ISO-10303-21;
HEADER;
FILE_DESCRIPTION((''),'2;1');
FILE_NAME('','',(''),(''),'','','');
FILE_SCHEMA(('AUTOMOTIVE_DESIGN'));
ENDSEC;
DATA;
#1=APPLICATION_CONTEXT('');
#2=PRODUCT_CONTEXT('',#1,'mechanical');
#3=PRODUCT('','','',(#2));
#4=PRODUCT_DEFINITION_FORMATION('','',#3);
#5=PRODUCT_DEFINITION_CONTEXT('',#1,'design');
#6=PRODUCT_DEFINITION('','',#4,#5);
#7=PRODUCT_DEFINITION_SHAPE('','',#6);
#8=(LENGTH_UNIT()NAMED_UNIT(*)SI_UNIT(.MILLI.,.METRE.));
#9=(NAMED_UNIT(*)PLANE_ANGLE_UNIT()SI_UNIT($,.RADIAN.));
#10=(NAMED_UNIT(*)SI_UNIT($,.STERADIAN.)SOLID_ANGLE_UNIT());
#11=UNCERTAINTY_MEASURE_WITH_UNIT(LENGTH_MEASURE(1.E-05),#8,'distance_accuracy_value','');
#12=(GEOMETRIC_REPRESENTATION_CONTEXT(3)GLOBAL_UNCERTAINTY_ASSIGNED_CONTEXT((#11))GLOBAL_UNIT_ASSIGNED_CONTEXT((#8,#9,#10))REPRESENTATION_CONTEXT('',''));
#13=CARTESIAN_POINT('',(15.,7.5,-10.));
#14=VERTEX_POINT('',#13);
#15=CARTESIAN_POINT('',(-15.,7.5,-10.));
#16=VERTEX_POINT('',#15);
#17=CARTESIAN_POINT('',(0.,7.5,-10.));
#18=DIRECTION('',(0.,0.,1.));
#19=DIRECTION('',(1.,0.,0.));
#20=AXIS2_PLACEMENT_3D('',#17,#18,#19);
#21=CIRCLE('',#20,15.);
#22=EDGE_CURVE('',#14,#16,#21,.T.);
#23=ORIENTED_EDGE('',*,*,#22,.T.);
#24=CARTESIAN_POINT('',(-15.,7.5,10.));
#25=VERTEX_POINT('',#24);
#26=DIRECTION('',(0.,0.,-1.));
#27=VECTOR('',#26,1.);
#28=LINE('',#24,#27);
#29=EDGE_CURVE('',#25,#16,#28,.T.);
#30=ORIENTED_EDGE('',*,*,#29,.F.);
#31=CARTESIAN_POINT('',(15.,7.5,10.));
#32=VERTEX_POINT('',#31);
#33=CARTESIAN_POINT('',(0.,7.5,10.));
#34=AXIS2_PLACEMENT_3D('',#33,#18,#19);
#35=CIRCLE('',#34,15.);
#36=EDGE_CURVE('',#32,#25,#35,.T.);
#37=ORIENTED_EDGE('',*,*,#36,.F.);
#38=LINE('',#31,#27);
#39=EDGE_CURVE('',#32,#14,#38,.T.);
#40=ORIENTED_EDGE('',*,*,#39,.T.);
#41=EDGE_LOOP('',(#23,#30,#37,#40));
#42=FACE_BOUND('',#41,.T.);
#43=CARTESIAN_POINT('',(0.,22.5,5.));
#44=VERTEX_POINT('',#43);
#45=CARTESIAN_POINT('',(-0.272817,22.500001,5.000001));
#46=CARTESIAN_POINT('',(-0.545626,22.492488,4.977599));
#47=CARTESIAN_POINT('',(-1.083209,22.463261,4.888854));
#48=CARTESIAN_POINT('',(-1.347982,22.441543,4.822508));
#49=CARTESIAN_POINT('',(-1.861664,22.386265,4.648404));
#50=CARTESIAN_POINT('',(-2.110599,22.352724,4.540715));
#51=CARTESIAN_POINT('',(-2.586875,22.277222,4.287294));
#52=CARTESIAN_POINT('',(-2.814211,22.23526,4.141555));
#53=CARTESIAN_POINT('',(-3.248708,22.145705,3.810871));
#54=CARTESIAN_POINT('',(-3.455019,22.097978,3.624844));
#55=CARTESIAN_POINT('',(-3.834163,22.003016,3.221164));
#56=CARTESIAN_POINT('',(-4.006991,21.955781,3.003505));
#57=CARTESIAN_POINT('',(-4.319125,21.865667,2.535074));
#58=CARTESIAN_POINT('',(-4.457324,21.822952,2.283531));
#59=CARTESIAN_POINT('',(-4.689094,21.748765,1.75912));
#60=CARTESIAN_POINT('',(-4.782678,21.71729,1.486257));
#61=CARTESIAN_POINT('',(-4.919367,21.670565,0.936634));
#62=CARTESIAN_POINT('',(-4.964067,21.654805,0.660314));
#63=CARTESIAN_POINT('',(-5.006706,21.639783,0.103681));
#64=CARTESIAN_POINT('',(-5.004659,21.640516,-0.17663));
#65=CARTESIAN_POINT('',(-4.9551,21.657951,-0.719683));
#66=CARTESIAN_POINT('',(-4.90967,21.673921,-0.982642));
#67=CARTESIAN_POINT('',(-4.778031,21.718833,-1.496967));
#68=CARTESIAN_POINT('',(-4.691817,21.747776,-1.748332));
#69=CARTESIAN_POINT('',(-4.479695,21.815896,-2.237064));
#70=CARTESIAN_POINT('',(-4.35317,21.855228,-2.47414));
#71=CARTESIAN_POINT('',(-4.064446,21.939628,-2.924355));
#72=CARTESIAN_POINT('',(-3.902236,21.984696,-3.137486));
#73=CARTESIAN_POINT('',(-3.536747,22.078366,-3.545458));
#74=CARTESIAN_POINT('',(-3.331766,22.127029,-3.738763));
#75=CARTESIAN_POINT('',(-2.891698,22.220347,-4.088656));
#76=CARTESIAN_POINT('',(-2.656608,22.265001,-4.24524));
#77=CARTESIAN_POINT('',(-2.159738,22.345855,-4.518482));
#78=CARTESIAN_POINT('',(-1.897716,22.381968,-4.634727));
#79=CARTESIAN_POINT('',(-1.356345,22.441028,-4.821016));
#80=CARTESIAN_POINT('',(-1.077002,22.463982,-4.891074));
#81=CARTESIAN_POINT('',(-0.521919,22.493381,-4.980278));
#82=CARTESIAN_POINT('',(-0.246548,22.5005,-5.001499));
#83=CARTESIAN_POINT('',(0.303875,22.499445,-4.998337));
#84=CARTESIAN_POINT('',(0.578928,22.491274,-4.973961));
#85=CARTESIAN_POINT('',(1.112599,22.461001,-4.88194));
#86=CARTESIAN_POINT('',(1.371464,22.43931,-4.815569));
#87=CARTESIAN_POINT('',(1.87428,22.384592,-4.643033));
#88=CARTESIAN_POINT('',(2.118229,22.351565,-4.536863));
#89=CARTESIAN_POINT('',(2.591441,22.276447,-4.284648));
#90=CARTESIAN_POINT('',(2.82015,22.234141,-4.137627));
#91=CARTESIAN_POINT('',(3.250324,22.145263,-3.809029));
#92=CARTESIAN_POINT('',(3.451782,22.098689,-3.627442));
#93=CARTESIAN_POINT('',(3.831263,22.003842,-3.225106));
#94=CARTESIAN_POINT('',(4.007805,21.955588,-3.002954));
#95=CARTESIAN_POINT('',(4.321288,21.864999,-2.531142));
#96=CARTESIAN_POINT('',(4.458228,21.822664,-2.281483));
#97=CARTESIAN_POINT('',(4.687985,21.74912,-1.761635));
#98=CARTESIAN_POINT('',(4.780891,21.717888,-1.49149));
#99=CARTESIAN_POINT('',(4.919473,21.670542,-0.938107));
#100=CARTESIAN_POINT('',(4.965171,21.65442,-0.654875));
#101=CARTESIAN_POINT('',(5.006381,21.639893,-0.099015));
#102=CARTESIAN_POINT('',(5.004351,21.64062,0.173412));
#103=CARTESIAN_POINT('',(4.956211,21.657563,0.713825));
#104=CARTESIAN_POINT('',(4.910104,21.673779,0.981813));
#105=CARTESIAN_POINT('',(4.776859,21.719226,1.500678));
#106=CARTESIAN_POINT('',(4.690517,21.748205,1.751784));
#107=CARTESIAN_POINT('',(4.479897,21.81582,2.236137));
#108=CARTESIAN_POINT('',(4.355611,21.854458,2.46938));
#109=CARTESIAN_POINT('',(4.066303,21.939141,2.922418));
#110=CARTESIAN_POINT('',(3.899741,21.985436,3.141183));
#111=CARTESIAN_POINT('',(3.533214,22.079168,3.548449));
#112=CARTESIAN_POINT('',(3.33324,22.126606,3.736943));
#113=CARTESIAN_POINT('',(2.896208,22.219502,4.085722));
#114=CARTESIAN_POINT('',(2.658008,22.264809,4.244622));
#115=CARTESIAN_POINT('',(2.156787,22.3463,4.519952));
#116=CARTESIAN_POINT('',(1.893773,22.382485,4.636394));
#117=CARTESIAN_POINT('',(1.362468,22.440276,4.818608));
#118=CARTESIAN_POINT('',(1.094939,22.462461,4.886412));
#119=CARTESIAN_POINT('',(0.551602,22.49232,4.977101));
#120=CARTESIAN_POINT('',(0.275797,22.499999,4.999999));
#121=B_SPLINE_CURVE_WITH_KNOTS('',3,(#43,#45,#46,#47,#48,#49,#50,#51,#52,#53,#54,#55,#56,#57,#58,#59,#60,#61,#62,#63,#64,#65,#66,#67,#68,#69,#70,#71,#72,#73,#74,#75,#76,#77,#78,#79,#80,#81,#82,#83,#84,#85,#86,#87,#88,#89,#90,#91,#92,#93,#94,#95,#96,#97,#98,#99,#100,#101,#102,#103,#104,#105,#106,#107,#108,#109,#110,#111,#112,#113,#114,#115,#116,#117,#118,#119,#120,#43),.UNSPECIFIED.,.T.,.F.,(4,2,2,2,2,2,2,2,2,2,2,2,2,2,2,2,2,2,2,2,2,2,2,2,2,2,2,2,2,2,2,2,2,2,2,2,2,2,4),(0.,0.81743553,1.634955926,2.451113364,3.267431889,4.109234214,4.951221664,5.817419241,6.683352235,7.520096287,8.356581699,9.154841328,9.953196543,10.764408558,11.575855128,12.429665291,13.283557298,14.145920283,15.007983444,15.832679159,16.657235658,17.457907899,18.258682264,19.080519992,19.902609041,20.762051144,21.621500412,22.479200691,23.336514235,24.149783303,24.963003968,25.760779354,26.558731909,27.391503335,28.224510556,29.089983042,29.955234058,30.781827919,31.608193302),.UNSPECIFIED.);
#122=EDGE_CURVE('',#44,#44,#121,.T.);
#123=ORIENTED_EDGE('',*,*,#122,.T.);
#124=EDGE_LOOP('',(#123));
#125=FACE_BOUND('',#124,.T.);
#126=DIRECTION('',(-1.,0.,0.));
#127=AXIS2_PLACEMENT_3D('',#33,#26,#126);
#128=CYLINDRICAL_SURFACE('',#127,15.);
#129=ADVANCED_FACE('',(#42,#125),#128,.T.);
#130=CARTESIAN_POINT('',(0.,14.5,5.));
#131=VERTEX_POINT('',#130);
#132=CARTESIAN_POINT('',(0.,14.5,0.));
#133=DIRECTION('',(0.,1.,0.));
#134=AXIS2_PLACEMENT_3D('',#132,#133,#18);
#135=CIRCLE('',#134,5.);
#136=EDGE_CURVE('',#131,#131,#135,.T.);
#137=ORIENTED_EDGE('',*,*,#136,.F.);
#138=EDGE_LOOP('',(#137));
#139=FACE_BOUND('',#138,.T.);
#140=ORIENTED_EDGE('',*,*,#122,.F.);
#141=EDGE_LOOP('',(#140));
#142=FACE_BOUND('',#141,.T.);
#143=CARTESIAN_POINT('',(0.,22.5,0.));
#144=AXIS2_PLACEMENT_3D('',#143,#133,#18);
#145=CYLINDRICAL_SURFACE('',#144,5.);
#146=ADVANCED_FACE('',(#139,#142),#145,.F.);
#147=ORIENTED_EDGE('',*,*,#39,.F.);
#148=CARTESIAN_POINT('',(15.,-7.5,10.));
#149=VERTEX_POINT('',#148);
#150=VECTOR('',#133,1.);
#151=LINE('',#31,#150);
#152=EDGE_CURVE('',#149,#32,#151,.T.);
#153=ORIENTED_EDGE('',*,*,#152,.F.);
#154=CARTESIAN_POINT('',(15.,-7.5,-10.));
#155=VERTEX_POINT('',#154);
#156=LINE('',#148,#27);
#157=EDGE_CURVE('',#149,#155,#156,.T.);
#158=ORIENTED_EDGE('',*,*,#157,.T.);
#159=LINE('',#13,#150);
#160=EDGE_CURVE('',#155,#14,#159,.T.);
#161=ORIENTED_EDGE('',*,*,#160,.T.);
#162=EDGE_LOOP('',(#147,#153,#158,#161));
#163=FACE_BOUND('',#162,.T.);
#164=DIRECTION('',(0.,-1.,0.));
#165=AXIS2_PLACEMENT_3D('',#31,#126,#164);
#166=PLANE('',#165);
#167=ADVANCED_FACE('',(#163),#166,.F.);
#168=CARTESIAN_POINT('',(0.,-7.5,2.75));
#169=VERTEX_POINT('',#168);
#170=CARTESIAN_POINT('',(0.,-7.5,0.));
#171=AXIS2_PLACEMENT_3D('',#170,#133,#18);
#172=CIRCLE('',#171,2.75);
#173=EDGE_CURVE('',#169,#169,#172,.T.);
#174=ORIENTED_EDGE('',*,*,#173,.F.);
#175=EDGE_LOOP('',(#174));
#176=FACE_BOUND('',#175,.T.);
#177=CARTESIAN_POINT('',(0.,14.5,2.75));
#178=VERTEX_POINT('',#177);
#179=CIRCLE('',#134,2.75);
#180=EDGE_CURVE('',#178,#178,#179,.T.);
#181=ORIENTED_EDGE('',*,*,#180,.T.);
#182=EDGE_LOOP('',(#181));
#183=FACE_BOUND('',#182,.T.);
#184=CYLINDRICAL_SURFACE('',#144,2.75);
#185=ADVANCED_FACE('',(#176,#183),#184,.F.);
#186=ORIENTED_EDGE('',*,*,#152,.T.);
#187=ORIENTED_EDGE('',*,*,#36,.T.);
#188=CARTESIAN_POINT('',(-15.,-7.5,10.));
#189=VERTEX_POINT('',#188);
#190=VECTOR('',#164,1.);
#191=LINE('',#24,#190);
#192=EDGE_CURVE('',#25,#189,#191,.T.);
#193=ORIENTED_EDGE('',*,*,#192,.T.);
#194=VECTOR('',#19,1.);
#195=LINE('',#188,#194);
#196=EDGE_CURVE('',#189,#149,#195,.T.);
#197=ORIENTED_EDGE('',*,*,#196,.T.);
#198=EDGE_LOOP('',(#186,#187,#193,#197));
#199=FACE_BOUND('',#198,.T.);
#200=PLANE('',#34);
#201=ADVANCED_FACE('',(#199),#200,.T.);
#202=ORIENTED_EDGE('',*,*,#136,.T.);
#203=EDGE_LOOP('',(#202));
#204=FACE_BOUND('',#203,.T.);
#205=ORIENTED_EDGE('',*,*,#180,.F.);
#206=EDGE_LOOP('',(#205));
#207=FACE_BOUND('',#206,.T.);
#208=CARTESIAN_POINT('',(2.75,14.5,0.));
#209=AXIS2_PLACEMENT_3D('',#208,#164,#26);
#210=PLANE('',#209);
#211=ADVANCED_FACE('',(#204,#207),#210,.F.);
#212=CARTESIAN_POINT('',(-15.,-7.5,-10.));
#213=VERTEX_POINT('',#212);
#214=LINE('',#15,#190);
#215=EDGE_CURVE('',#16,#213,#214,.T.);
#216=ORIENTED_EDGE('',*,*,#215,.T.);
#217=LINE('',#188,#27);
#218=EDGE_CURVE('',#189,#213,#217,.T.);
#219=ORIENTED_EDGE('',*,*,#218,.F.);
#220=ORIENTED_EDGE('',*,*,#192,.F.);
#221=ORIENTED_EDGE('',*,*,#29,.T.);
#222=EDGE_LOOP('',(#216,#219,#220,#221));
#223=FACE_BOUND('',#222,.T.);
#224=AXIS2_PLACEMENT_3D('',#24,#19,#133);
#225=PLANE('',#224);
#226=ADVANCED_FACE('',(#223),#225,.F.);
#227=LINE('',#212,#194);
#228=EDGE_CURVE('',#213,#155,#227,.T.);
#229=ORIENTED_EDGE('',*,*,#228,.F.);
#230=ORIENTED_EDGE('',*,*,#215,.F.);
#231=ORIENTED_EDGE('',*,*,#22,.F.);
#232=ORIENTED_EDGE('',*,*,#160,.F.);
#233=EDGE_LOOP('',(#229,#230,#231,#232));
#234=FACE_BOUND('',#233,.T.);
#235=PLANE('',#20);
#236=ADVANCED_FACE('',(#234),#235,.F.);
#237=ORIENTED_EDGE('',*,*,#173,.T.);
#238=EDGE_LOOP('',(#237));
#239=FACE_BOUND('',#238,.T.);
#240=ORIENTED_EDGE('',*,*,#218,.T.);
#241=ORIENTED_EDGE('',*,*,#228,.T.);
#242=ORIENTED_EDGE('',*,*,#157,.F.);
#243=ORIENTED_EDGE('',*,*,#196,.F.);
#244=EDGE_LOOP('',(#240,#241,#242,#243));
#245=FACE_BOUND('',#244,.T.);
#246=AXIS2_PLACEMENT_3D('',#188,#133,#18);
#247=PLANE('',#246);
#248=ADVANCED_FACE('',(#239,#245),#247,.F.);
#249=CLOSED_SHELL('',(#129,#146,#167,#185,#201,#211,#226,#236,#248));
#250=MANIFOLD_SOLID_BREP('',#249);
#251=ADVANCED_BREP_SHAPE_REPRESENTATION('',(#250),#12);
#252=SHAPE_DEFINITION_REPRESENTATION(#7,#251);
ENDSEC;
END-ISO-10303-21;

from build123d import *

# Parameters (mm, degrees)
BOSS_EXTRUDE1_DEPTH                                 = 10
CBORE_FOR_M5_HEX_SOCKET_HEAD_CAP_SCREW1_D           = 5.5
CBORE_FOR_M5_HEX_SOCKET_HEAD_CAP_SCREW1_CBORE_D     = 10
CBORE_FOR_M5_HEX_SOCKET_HEAD_CAP_SCREW1_CBORE_DEPTH = 8


with BuildPart() as part:
    # Sketch1 → Boss-Extrude1 (new, symmetric)
    with BuildSketch(Plane.XY):
        with BuildLine():
            Line((-15, 7.5), (-15, -7.5))
            Line((-15, -7.5), (15, -7.5))
            Line((15, -7.5), (15, 7.5))
            ThreePointArc((15, 7.5), (0, 22.5), (-15, 7.5))
        make_face()
    extrude(amount=BOSS_EXTRUDE1_DEPTH, both=True)

    # CBORE for M5 Hex Socket Head Cap Screw1 (through all)
    with Locations(Plane(origin=(0, 22.5, 0), x_dir=(1, 0, 0), z_dir=(0, 1, 0))):
        with Locations((0, 0)):
            CounterBoreHole(CBORE_FOR_M5_HEX_SOCKET_HEAD_CAP_SCREW1_D / 2, CBORE_FOR_M5_HEX_SOCKET_HEAD_CAP_SCREW1_CBORE_D / 2, CBORE_FOR_M5_HEX_SOCKET_HEAD_CAP_SCREW1_CBORE_DEPTH)


solid = part.part
